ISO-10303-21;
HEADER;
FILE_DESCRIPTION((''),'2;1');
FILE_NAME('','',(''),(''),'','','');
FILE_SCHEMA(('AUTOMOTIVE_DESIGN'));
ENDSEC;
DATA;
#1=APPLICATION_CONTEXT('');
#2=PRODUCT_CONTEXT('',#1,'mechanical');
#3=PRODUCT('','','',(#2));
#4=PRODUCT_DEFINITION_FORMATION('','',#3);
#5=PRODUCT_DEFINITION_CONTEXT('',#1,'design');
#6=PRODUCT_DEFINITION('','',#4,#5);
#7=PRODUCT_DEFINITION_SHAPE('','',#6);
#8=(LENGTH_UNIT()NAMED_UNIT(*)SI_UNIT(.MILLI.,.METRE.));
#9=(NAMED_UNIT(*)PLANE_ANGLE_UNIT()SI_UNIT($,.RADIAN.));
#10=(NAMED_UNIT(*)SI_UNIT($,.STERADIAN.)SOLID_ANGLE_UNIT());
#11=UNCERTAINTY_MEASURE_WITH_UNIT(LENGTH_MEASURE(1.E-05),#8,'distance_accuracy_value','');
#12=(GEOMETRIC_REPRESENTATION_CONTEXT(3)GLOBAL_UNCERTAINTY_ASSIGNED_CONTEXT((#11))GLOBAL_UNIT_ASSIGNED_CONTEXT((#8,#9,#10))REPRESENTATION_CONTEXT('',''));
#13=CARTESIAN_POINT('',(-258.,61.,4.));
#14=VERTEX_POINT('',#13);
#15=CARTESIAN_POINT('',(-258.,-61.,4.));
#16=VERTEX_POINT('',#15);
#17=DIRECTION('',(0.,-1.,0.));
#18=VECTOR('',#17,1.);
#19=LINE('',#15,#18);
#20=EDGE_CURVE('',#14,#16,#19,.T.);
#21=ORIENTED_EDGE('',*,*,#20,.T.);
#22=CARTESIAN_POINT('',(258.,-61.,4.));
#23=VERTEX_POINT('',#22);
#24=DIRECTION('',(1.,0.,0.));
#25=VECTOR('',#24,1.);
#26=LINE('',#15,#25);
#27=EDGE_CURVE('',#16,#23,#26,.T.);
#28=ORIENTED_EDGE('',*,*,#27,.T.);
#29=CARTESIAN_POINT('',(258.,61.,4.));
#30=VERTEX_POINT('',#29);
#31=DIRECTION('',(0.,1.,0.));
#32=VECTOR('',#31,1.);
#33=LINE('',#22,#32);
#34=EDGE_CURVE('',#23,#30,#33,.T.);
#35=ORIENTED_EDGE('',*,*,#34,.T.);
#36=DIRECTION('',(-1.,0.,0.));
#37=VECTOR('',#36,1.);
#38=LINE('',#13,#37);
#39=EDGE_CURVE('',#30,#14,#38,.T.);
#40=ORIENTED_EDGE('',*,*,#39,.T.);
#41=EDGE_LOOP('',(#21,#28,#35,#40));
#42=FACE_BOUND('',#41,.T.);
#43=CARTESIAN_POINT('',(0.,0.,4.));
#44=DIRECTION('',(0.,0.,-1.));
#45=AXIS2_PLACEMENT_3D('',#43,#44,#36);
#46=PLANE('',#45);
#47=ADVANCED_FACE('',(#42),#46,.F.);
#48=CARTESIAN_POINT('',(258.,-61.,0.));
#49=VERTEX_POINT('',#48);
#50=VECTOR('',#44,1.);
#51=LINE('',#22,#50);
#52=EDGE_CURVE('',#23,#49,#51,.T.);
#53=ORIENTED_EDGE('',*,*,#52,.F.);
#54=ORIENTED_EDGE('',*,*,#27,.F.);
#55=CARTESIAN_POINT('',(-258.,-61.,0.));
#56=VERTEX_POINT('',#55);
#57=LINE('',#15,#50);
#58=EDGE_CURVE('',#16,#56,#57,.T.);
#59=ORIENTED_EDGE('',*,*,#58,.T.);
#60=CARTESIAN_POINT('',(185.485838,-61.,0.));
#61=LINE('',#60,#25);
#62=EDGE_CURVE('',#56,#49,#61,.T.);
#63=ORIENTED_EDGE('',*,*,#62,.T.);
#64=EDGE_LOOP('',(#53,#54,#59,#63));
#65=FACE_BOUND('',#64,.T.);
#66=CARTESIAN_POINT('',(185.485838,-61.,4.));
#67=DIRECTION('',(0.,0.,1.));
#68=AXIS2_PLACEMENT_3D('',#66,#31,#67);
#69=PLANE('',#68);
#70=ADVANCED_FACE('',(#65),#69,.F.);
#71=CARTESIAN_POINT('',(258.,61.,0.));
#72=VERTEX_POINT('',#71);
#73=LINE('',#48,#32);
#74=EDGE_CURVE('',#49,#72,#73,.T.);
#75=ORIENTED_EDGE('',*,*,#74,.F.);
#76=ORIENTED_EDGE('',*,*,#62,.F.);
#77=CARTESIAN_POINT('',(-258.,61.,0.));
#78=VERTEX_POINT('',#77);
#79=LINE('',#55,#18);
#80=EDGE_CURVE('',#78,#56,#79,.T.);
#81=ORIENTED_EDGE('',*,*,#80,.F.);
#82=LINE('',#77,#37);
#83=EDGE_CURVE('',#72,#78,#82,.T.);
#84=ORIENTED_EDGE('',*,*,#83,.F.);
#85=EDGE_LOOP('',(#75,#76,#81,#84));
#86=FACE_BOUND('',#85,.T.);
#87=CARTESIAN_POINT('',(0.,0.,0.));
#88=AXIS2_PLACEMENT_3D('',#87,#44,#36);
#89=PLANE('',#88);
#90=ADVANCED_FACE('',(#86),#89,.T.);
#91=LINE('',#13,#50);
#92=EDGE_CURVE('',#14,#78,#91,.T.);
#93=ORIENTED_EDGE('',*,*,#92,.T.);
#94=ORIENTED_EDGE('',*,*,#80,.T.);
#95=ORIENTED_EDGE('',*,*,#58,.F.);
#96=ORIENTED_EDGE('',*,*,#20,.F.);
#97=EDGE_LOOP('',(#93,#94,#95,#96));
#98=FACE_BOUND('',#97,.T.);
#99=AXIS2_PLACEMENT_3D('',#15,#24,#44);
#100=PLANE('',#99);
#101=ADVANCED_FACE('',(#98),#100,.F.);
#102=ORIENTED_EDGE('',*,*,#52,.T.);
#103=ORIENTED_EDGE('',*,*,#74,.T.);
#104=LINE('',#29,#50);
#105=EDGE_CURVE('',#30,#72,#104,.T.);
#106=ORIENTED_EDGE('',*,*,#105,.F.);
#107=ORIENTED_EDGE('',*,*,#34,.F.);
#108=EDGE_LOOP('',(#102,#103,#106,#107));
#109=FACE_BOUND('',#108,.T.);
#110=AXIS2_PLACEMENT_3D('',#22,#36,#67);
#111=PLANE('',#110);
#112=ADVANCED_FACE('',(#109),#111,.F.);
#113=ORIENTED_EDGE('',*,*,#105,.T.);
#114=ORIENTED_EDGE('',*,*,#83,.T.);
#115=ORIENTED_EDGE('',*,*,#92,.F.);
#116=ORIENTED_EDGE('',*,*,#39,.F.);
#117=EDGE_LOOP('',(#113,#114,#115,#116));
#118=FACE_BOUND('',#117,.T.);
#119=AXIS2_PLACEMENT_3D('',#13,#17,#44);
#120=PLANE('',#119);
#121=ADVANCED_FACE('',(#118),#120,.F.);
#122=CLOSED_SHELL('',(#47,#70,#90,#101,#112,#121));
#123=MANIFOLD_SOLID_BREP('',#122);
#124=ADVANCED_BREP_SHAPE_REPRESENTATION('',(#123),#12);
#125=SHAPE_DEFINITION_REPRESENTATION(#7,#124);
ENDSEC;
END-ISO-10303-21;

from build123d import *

# Parameters (mm, degrees)
BOSS_EXTRUDE1_DEPTH = 4


with BuildPart() as part:
    # Sketch1 → Boss-Extrude1 (new body)
    with BuildSketch(Plane.XY):
        Polygon((-258, -61), (185.485837704, -61), (258, -61), (258, 61), (-258, 61), align=None)
    extrude(amount=BOSS_EXTRUDE1_DEPTH)


solid = part.part
